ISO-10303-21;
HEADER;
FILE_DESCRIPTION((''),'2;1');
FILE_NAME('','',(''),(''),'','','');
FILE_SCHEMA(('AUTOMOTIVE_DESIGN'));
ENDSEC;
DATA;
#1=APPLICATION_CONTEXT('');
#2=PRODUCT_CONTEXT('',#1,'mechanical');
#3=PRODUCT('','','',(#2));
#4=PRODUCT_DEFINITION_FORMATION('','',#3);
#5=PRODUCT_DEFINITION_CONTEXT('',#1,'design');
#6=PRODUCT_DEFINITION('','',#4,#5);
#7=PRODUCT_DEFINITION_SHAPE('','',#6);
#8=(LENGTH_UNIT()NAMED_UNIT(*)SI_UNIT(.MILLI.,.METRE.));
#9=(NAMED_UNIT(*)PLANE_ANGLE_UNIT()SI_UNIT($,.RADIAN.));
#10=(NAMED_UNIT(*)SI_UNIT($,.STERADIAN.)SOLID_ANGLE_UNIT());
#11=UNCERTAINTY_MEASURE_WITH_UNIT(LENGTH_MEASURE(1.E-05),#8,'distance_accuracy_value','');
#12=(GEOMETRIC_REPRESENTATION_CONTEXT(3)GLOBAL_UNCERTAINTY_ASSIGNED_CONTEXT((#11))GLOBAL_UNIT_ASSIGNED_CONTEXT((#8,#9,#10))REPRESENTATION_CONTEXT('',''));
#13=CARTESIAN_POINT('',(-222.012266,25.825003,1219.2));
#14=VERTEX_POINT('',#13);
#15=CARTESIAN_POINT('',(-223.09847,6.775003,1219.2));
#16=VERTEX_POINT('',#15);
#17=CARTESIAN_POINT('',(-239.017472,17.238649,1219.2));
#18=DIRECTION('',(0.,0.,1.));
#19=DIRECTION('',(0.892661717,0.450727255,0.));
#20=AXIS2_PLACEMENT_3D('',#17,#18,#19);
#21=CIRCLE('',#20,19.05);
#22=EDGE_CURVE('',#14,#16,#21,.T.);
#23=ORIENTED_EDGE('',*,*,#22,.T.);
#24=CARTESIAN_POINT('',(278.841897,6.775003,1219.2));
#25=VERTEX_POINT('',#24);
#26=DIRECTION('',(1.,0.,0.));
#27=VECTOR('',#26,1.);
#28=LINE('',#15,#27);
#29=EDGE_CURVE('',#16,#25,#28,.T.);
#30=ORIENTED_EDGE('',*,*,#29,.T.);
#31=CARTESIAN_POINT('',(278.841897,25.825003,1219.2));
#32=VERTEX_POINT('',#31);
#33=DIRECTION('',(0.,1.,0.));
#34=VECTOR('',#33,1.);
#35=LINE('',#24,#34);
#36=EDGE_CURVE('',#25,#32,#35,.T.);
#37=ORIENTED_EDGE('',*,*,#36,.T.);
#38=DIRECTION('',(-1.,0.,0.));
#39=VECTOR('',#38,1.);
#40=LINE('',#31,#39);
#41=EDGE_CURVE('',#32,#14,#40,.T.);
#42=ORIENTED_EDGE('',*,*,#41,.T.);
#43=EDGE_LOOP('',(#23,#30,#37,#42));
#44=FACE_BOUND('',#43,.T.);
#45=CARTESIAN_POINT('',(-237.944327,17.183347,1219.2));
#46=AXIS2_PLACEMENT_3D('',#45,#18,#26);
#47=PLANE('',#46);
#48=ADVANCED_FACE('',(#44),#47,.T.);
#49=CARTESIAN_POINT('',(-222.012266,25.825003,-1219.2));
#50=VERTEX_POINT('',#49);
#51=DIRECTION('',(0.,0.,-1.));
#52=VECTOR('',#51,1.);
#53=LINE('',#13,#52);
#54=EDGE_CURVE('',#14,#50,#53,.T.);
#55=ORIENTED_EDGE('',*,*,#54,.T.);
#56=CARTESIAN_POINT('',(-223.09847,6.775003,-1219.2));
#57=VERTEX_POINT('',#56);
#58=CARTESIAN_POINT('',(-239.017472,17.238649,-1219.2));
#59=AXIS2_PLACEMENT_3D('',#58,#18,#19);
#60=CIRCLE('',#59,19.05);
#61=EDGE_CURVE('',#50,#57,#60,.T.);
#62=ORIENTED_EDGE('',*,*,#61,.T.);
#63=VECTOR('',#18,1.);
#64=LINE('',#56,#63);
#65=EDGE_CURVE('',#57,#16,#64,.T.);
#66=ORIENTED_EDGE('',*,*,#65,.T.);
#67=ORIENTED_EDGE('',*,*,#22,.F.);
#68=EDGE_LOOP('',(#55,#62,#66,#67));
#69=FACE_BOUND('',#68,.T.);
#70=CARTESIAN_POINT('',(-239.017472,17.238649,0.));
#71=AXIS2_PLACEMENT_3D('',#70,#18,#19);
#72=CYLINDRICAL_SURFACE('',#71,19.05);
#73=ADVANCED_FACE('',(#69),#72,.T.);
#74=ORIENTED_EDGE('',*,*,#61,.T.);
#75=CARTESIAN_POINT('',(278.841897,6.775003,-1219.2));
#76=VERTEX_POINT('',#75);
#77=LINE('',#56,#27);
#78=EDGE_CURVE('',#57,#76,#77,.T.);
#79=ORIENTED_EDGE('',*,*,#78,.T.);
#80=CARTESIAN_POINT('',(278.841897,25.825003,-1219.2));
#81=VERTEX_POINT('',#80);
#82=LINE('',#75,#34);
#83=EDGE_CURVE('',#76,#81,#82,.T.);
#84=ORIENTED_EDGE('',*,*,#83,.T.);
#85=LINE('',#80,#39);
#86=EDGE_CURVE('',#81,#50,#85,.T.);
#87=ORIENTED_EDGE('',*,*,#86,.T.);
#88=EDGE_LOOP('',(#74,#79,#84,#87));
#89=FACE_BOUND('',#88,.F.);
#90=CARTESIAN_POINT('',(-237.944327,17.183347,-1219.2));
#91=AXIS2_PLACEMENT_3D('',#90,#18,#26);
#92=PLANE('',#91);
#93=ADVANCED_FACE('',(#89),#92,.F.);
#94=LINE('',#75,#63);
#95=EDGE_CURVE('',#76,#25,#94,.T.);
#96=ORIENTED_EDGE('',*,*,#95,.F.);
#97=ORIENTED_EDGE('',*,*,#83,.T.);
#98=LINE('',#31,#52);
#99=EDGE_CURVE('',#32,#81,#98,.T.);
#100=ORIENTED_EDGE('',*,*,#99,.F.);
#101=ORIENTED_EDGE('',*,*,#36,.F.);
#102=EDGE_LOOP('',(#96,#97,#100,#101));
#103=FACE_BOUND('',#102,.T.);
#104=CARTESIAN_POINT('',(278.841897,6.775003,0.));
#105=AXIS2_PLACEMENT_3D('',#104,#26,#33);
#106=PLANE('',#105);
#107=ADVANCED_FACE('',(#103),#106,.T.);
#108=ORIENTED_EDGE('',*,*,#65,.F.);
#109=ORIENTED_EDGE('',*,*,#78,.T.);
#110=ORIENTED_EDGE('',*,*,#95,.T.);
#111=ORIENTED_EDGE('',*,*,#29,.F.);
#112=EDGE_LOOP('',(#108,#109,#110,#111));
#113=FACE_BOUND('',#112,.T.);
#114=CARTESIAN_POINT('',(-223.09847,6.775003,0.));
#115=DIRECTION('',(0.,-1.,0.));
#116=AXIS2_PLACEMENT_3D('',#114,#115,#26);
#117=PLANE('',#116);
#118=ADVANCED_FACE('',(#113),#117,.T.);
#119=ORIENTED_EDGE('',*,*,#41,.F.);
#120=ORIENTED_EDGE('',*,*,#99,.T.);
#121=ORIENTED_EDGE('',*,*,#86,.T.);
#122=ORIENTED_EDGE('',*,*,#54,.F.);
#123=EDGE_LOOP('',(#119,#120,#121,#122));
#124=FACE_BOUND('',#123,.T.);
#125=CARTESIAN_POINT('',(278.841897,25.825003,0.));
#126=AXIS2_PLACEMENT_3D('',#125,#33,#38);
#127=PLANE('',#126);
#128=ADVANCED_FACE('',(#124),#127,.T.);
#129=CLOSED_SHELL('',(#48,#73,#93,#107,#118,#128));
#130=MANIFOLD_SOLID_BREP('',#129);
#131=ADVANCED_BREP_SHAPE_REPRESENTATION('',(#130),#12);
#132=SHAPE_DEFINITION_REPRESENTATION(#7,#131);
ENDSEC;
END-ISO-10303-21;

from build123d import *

# Parameters (mm, degrees)
F1_DEPTH = 1219.2


with BuildPart() as f1:
    # F0 (on Top) → F1 (new body, symmetric)
    with BuildSketch(Plane.XY):
        with BuildLine():
            Line((-229.158103, 6.775003), (-229.158103, 25.825003))
            Line((-229.158103, 25.825003), (-222.012266, 25.825003))
            ThreePointArc((-222.012266, 25.825003), (-258.03658, 18.323091), (-223.09847, 6.775003))
            Line((-223.09847, 6.775003), (-229.158103, 6.775003))
        make_face()
        with BuildLine():
            Line((278.841897, 25.825003), (-222.012266, 25.825003))
            ThreePointArc((-222.012266, 25.825003), (-220.48572, 21.651886), (-219.967472, 17.238649))
            ThreePointArc((-219.967472, 17.238649), (-220.766999, 11.777627), (-223.09847, 6.775003))
            Line((-223.09847, 6.775003), (278.841897, 6.775003))
            Line((278.841897, 6.775003), (278.841897, 25.825003))
        make_face()
        with BuildLine():
            Line((-222.012266, 25.825003), (-229.158103, 25.825003))
            Line((-229.158103, 25.825003), (-229.158103, 6.775003))
            Line((-229.158103, 6.775003), (-223.09847, 6.775003))
            ThreePointArc((-223.09847, 6.775003), (-220.766999, 11.777627), (-219.967472, 17.238649))
            ThreePointArc((-219.967472, 17.238649), (-220.48572, 21.651886), (-222.012266, 25.825003))
        make_face()
    extrude(amount=F1_DEPTH, both=True)


solid = f1.part
